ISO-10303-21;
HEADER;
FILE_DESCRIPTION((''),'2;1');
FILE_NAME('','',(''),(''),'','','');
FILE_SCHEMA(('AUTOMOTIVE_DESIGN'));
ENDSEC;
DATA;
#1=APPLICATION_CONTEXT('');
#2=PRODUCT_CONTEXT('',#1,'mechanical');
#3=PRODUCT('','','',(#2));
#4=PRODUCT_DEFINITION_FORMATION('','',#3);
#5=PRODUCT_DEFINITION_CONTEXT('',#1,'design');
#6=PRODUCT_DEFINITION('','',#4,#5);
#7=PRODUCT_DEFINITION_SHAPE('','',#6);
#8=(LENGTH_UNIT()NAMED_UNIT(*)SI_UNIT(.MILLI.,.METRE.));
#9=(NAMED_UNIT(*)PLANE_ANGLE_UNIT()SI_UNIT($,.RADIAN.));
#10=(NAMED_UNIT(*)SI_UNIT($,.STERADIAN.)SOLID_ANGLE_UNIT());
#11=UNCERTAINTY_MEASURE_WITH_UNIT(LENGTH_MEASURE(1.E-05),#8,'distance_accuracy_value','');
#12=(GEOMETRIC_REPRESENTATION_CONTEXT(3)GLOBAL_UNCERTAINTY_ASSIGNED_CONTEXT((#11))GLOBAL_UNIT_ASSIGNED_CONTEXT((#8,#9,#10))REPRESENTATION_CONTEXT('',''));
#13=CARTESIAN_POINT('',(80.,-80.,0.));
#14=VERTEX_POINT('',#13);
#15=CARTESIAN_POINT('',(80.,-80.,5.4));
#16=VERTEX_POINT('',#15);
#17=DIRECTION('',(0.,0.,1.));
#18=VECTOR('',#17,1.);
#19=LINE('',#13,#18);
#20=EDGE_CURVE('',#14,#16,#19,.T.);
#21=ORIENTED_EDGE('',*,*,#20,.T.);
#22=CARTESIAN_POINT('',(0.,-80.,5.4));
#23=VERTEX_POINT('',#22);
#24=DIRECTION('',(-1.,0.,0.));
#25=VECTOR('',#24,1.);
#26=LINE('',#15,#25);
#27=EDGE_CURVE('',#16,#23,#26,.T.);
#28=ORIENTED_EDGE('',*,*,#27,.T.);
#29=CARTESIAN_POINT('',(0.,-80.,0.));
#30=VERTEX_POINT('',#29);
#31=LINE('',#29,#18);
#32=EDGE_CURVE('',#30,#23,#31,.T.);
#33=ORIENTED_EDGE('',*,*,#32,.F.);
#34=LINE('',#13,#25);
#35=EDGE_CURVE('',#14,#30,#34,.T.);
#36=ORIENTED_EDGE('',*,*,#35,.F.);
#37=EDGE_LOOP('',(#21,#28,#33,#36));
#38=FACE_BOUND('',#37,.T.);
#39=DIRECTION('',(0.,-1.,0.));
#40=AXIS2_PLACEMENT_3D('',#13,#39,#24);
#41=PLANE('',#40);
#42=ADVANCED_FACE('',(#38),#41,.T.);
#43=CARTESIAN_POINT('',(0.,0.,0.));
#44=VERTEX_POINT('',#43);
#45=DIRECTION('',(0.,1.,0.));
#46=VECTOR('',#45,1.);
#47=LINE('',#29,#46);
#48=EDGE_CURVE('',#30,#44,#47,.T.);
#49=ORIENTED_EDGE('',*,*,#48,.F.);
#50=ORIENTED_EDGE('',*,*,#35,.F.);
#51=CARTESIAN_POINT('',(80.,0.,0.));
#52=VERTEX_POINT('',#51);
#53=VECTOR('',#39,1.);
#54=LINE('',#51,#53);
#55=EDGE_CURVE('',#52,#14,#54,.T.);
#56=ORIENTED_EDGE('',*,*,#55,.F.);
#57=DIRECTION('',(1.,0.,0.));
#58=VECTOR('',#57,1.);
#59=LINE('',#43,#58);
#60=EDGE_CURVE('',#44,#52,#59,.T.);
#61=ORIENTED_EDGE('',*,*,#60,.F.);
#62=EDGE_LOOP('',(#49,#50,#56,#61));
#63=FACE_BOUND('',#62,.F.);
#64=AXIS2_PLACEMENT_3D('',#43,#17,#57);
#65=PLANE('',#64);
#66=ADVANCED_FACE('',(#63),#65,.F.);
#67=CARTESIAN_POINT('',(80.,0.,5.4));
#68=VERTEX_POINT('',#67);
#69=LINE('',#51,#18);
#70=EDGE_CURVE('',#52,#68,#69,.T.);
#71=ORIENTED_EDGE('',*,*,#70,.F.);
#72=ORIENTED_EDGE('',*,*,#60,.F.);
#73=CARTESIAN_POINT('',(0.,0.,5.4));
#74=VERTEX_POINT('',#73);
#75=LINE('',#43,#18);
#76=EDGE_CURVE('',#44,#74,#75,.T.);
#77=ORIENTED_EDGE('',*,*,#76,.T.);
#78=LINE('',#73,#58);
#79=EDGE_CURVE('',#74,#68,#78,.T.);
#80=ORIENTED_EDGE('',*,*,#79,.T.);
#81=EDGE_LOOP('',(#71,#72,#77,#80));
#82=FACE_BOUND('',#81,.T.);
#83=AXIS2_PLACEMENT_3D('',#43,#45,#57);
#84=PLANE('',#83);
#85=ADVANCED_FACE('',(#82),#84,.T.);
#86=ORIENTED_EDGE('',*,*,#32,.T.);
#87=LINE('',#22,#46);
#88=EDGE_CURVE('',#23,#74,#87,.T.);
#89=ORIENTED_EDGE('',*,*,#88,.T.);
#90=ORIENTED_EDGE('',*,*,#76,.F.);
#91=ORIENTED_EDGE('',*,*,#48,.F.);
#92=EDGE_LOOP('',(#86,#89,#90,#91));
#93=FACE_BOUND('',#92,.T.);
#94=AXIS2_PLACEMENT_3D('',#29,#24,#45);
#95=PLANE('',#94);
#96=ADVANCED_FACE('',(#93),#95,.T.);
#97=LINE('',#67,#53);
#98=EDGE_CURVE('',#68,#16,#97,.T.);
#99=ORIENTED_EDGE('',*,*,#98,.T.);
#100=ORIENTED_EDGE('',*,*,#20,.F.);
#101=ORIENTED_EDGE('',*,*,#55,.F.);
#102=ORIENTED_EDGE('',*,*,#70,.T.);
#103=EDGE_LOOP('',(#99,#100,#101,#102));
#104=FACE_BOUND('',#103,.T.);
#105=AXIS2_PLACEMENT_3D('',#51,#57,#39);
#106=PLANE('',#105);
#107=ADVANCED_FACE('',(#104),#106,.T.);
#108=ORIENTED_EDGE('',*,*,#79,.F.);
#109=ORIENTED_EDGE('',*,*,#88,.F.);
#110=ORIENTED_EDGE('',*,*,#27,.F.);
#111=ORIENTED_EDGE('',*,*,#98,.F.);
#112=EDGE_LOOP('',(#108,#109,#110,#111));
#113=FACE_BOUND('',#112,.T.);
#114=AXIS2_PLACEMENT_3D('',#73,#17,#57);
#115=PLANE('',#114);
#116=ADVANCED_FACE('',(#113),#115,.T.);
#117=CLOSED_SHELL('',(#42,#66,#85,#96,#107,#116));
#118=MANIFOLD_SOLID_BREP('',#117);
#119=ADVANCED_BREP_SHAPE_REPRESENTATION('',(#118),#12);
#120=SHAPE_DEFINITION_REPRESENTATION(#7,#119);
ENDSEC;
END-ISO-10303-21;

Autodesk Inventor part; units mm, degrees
ref_plane "YZ Plane" through (0, 0, 0) normal (1, 0, 0) x (0, 1, 0)
ref_plane "XZ Plane" through (0, 0, 0) normal (0, 1, 0) x (-1, 0, 0)
ref_plane "XY Plane" through (0, 0, 0) normal (0, 0, 1) x (1, 0, 0)
sketch "Sketch1" plane through (0, 0, 0) normal (0, 0, 1) x (1, 0, 0)
  line L0 (0, 0) -> (80, 0)
  line L1 (80, 0) -> (80, -80)
  line L2 (80, -80) -> (0, -80)
  line L3 (0, -80) -> (0, 0)
  dimension "d0" = 80
  dimension "d1" = 80
extrude "Extrusion1" add sketch "Sketch1" along normal blind 5.4
sketch "Sketch2" plane through (0, 0, 0) normal (0, 0, -1) x (-1, 0, 0)
  circle A0 centre (-67.059, -40) radius 7.1216
  line L0 (-60.1896, -38.1216) -> (-84.2475, -38.1216)
  line L1 (-84.2475, -38.1216) -> (-84.2475, -47.1216)
  line L2 (-84.2475, -47.1216) -> (-60.1896, -47.1216)
  line L3 (-60.1896, -47.1216) -> (-60.1896, -38.1216)
  line L4 (0, 0) -> (-80, 0) projected
  dimension "d4" = 40
  dimension "d6" = 9
equation "\"RodDiameter\" = 8"
equation "\"VerticalBearingOD\" = 16"
equation "\"PrintingClearance\" = 0.2"
properties part number "HotendMountCarriage"
